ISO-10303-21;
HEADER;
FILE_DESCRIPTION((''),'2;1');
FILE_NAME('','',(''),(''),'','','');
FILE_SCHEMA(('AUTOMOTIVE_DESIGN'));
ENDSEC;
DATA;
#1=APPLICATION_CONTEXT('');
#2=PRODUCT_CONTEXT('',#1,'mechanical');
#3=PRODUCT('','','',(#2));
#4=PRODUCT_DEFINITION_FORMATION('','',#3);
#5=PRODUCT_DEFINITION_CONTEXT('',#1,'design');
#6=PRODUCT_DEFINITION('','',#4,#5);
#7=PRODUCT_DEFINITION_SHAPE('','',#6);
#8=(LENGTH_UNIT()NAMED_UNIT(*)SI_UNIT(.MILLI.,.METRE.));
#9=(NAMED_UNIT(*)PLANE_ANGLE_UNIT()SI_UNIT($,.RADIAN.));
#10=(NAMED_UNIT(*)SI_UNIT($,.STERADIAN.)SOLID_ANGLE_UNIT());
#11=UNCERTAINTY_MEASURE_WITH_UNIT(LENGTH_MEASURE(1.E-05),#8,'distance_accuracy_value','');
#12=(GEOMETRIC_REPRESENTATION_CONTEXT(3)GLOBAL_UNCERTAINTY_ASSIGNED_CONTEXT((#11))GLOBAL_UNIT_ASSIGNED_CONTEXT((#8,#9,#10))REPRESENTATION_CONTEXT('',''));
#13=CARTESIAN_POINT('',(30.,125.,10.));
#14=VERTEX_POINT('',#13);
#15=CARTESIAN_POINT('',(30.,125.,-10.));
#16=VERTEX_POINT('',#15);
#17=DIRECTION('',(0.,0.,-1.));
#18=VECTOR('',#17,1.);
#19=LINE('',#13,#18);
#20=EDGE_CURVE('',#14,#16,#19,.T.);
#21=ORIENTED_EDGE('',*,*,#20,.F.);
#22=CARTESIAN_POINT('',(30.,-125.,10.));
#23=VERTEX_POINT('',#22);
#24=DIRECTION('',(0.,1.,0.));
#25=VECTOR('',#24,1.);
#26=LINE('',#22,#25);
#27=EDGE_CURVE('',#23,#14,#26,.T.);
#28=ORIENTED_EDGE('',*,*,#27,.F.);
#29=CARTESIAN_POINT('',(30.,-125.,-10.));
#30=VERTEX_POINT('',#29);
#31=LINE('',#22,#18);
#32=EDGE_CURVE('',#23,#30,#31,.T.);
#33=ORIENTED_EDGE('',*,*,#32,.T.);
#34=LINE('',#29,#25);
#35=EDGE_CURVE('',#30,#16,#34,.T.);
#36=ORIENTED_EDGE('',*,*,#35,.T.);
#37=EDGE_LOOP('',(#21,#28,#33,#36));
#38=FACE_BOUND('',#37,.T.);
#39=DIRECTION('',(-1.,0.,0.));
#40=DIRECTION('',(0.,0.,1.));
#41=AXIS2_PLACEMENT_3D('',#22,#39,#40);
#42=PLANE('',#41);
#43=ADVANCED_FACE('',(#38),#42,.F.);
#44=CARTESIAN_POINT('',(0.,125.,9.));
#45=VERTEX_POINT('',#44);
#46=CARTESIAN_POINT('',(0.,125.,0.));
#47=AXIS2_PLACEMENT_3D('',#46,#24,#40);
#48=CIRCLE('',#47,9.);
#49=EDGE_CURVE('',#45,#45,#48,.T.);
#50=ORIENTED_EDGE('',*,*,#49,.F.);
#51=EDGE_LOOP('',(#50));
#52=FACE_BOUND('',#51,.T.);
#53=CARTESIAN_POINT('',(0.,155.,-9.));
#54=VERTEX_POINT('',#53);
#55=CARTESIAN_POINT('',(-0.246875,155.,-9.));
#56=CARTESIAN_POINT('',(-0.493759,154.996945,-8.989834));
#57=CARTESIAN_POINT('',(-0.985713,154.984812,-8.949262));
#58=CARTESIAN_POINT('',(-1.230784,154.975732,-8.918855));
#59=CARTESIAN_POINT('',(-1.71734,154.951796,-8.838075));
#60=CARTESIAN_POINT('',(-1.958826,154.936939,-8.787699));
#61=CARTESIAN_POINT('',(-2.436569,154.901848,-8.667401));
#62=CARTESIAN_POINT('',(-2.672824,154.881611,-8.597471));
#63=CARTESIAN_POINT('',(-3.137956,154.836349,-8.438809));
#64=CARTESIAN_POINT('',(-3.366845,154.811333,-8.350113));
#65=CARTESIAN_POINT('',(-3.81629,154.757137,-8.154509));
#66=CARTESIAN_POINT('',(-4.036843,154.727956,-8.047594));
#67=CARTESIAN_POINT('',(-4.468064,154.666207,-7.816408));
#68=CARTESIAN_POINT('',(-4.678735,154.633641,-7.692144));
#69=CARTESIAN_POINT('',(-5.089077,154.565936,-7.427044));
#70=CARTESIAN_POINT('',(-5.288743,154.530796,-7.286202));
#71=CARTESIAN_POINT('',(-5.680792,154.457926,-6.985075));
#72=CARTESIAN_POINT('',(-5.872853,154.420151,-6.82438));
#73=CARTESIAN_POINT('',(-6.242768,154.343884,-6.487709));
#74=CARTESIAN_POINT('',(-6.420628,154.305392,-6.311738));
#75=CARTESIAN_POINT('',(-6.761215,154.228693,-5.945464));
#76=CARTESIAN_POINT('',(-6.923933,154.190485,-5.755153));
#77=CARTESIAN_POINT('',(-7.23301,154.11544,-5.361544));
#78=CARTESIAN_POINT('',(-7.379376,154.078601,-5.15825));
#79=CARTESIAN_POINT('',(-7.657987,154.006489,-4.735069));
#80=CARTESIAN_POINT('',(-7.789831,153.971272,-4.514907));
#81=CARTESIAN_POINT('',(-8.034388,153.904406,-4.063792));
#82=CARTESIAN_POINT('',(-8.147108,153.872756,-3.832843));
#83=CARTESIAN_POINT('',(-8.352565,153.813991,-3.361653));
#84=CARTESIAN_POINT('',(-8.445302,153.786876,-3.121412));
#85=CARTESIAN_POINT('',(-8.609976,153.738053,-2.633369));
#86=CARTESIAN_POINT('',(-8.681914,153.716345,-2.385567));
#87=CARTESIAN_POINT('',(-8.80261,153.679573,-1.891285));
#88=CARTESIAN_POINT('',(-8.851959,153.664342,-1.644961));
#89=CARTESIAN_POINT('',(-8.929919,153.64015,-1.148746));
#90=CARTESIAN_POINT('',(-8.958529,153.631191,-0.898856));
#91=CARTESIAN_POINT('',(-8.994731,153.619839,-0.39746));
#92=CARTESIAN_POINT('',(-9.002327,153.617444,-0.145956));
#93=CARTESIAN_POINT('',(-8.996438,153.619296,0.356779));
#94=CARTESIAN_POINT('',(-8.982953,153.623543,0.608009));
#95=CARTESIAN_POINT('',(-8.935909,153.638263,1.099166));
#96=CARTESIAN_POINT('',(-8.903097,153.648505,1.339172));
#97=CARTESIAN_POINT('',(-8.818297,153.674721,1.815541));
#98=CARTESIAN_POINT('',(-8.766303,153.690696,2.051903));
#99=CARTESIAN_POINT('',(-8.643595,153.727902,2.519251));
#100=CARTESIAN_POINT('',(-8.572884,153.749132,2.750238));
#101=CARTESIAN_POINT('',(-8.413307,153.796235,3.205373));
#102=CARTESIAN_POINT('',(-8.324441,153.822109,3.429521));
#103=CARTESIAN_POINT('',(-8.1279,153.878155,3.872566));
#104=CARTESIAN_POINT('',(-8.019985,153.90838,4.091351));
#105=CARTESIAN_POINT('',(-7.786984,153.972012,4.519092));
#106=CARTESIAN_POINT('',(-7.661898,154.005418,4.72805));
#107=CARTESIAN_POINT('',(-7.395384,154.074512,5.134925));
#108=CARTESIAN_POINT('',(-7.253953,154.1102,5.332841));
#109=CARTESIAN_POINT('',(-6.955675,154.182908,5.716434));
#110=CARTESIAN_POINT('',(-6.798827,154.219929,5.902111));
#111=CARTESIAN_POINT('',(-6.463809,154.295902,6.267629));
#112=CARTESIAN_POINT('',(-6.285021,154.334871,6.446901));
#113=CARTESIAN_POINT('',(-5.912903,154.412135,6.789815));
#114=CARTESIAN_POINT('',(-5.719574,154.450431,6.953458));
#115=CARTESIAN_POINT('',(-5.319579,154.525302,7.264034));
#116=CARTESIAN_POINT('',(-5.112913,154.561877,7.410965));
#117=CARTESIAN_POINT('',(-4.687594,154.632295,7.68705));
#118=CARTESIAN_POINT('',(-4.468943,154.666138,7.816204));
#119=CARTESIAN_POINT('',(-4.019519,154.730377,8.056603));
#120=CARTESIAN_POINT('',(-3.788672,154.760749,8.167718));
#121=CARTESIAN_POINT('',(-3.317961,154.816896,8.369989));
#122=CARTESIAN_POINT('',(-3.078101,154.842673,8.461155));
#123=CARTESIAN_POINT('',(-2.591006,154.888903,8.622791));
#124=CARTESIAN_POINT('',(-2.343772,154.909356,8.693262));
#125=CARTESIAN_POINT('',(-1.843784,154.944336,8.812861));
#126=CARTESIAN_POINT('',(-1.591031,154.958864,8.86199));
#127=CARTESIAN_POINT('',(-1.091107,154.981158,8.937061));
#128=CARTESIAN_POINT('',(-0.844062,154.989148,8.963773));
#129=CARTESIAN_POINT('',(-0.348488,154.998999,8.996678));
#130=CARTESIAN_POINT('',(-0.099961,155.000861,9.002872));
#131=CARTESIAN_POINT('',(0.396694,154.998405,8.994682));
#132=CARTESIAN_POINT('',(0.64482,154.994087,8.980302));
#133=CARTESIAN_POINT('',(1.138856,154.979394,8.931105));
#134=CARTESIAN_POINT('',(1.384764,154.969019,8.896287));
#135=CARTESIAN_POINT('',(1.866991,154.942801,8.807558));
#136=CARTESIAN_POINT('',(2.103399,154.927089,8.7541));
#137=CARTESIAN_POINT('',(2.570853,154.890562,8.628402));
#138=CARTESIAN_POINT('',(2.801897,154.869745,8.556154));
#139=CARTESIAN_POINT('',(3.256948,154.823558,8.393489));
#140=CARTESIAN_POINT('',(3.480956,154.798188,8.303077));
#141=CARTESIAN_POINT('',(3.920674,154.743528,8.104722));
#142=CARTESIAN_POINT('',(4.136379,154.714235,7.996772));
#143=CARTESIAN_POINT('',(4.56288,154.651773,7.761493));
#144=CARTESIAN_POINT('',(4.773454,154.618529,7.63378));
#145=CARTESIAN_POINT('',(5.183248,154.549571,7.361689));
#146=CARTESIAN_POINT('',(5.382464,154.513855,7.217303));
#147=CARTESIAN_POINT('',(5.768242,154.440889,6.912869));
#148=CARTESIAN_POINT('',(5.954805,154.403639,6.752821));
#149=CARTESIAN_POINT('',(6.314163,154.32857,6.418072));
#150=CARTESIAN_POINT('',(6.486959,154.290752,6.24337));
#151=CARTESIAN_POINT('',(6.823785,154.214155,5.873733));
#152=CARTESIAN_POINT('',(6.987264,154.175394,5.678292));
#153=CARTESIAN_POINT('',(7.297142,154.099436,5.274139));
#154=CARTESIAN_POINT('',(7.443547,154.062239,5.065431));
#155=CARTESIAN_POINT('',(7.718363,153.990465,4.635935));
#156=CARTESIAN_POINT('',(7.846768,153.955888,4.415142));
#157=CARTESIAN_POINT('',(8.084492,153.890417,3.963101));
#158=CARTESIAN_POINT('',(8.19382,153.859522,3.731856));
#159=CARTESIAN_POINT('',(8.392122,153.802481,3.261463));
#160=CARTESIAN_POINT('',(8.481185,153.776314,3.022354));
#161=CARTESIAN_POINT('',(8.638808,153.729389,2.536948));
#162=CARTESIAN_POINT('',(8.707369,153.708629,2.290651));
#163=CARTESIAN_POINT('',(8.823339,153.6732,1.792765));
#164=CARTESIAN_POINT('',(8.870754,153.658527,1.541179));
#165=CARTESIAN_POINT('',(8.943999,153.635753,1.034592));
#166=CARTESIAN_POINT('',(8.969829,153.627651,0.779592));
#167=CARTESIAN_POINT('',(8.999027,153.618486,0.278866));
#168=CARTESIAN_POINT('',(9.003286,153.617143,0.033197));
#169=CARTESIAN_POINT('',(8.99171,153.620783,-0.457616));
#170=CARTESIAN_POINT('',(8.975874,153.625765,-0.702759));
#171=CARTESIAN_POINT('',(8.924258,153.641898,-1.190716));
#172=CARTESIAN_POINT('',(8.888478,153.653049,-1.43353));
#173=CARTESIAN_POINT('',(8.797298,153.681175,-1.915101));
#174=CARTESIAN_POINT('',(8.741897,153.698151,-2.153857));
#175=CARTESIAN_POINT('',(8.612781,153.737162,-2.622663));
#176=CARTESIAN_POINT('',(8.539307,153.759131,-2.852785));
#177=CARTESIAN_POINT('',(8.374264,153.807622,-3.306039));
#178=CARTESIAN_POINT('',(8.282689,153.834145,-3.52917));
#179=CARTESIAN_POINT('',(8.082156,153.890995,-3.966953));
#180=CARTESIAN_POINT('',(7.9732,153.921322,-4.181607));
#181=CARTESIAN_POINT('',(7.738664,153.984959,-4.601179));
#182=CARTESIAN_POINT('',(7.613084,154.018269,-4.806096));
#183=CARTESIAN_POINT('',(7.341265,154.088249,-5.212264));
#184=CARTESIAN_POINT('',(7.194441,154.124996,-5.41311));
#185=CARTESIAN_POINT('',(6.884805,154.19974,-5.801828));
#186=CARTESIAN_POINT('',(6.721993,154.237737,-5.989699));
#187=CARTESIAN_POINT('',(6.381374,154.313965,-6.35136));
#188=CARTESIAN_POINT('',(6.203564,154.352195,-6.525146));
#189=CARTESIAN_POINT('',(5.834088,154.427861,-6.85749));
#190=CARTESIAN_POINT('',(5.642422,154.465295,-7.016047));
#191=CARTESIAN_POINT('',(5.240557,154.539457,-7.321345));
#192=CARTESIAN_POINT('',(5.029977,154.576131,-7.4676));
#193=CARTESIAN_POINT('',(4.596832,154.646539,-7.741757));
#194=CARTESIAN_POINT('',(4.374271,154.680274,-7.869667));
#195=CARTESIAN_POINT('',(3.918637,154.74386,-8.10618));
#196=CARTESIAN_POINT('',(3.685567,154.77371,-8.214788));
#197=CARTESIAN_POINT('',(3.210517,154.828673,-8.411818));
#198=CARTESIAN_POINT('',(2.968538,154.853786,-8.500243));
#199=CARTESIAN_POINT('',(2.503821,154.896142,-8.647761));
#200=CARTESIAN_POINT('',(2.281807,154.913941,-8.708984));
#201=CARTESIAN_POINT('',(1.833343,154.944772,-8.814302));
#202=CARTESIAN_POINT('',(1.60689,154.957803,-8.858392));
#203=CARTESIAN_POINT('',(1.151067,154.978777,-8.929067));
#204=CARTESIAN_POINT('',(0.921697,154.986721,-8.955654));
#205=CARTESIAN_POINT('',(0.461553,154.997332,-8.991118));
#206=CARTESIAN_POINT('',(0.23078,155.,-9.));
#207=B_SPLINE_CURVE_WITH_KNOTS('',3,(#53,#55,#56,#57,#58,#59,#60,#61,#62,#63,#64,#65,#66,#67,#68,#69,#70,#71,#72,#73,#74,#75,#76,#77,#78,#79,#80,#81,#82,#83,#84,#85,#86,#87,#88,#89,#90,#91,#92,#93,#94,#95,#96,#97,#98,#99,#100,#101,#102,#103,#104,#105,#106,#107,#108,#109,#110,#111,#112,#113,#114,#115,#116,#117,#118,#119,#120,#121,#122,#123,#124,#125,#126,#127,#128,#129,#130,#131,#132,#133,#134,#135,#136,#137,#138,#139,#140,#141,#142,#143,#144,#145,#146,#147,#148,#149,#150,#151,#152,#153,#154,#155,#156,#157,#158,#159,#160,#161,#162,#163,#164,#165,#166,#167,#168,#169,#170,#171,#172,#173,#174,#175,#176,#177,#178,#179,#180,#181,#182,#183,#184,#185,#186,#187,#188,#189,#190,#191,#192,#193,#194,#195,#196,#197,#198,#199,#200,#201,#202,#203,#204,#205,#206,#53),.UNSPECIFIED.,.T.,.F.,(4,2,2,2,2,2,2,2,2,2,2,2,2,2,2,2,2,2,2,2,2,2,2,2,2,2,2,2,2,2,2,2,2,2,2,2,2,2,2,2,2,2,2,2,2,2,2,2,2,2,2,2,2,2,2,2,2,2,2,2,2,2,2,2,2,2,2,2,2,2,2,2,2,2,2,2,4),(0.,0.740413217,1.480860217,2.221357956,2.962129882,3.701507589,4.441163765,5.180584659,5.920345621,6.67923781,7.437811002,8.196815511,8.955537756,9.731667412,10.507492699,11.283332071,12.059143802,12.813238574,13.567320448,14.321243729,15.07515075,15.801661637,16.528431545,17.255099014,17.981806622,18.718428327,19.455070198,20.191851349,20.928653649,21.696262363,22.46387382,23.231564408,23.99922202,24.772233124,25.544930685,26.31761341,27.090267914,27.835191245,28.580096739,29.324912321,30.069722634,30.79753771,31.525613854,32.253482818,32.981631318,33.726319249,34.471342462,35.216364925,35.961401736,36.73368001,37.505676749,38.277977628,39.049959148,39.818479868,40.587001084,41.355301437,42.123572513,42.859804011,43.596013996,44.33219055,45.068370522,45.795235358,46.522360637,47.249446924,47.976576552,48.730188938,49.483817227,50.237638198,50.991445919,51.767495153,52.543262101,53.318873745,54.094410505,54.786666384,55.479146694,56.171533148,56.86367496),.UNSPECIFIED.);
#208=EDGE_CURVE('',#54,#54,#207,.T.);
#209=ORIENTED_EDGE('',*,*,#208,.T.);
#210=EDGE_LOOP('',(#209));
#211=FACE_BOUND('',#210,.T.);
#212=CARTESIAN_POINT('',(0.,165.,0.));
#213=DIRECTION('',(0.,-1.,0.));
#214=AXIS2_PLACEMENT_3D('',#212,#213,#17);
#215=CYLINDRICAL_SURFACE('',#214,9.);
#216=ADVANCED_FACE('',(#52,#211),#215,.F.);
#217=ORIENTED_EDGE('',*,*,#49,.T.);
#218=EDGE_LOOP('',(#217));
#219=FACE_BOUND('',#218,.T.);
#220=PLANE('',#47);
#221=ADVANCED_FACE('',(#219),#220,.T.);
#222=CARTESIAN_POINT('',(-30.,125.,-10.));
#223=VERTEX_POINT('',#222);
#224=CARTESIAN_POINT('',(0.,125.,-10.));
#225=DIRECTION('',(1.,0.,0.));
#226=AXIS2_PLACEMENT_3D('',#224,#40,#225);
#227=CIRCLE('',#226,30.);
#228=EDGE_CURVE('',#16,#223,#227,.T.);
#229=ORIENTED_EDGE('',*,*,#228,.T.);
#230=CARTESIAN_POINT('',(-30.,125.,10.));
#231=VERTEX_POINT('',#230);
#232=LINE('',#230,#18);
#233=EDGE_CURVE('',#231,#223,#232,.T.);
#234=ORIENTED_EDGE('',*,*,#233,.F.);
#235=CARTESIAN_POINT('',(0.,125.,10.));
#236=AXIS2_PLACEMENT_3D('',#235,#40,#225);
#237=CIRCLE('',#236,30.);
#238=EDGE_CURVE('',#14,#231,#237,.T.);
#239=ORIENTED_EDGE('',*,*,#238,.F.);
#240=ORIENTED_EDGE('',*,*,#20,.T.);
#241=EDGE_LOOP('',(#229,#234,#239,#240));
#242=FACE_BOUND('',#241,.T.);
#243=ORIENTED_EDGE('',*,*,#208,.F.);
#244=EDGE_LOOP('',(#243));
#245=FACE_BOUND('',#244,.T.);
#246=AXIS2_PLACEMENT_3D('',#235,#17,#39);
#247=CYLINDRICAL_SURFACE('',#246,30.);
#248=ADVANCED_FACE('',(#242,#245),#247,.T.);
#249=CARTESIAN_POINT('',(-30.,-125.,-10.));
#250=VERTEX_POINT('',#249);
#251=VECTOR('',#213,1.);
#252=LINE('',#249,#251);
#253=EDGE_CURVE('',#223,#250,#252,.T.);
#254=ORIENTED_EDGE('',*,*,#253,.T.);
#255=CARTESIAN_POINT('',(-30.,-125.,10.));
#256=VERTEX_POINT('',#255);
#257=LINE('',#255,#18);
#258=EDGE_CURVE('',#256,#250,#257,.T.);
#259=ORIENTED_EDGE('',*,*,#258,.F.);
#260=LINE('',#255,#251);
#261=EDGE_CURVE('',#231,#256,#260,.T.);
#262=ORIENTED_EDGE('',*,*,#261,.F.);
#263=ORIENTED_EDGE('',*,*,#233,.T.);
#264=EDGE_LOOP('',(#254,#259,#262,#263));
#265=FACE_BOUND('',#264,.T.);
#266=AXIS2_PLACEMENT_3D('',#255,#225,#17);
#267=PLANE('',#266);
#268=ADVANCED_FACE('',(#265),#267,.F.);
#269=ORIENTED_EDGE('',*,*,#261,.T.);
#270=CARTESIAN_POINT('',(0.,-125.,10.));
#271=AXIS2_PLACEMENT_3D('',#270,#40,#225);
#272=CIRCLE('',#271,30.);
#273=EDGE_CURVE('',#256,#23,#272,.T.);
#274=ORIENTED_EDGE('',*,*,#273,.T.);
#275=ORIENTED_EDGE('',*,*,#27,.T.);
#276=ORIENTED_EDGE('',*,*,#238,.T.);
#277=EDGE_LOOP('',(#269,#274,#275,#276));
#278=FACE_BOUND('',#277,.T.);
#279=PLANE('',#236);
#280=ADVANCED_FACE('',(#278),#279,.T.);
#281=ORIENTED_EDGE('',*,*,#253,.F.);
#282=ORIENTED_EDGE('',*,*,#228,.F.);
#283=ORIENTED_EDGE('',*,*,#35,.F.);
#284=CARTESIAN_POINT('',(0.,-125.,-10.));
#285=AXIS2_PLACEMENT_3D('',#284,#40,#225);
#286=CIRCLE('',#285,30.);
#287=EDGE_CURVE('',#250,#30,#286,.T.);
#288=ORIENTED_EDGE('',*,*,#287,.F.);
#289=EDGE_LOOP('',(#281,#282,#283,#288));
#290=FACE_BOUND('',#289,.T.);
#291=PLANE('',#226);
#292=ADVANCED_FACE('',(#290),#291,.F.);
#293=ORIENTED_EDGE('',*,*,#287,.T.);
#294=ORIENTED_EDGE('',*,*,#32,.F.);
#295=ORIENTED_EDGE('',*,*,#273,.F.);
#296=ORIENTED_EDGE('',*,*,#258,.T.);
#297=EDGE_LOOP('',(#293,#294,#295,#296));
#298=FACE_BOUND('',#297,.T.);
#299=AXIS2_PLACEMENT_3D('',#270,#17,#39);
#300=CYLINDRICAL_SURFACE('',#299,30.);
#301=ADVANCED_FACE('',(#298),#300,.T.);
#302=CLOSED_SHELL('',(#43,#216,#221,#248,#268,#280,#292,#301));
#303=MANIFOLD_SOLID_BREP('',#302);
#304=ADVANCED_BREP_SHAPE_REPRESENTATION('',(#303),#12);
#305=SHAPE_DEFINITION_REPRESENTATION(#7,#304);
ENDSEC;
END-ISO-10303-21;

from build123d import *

# Parameters (mm, degrees)
BOSS_EXTRUDE1_DEPTH = 10
SKETCH5_R           = 9
CUT_EXTRUDE1_DEPTH  = 40


with BuildPart() as part:
    # Sketch3 → Boss-Extrude1 (new body, symmetric)
    with BuildSketch(Plane.XY):
        with BuildLine():
            Line((-30, -125), (-30, 125))
            ThreePointArc((-30, 125), (0, 155), (30, 125))
            Line((30, 125), (30, -125))
            ThreePointArc((30, -125), (0, -155), (-30, -125))
        make_face()
    extrude(amount=BOSS_EXTRUDE1_DEPTH, both=True)

    # Sketch5 → Cut-Extrude1 (cut)
    with BuildSketch(Plane(origin=(0, 125, 0), x_dir=(1, 0, 0), z_dir=(0, 1, 0))):
        Circle(SKETCH5_R)
    extrude(amount=CUT_EXTRUDE1_DEPTH, mode=Mode.SUBTRACT)


solid = part.part
